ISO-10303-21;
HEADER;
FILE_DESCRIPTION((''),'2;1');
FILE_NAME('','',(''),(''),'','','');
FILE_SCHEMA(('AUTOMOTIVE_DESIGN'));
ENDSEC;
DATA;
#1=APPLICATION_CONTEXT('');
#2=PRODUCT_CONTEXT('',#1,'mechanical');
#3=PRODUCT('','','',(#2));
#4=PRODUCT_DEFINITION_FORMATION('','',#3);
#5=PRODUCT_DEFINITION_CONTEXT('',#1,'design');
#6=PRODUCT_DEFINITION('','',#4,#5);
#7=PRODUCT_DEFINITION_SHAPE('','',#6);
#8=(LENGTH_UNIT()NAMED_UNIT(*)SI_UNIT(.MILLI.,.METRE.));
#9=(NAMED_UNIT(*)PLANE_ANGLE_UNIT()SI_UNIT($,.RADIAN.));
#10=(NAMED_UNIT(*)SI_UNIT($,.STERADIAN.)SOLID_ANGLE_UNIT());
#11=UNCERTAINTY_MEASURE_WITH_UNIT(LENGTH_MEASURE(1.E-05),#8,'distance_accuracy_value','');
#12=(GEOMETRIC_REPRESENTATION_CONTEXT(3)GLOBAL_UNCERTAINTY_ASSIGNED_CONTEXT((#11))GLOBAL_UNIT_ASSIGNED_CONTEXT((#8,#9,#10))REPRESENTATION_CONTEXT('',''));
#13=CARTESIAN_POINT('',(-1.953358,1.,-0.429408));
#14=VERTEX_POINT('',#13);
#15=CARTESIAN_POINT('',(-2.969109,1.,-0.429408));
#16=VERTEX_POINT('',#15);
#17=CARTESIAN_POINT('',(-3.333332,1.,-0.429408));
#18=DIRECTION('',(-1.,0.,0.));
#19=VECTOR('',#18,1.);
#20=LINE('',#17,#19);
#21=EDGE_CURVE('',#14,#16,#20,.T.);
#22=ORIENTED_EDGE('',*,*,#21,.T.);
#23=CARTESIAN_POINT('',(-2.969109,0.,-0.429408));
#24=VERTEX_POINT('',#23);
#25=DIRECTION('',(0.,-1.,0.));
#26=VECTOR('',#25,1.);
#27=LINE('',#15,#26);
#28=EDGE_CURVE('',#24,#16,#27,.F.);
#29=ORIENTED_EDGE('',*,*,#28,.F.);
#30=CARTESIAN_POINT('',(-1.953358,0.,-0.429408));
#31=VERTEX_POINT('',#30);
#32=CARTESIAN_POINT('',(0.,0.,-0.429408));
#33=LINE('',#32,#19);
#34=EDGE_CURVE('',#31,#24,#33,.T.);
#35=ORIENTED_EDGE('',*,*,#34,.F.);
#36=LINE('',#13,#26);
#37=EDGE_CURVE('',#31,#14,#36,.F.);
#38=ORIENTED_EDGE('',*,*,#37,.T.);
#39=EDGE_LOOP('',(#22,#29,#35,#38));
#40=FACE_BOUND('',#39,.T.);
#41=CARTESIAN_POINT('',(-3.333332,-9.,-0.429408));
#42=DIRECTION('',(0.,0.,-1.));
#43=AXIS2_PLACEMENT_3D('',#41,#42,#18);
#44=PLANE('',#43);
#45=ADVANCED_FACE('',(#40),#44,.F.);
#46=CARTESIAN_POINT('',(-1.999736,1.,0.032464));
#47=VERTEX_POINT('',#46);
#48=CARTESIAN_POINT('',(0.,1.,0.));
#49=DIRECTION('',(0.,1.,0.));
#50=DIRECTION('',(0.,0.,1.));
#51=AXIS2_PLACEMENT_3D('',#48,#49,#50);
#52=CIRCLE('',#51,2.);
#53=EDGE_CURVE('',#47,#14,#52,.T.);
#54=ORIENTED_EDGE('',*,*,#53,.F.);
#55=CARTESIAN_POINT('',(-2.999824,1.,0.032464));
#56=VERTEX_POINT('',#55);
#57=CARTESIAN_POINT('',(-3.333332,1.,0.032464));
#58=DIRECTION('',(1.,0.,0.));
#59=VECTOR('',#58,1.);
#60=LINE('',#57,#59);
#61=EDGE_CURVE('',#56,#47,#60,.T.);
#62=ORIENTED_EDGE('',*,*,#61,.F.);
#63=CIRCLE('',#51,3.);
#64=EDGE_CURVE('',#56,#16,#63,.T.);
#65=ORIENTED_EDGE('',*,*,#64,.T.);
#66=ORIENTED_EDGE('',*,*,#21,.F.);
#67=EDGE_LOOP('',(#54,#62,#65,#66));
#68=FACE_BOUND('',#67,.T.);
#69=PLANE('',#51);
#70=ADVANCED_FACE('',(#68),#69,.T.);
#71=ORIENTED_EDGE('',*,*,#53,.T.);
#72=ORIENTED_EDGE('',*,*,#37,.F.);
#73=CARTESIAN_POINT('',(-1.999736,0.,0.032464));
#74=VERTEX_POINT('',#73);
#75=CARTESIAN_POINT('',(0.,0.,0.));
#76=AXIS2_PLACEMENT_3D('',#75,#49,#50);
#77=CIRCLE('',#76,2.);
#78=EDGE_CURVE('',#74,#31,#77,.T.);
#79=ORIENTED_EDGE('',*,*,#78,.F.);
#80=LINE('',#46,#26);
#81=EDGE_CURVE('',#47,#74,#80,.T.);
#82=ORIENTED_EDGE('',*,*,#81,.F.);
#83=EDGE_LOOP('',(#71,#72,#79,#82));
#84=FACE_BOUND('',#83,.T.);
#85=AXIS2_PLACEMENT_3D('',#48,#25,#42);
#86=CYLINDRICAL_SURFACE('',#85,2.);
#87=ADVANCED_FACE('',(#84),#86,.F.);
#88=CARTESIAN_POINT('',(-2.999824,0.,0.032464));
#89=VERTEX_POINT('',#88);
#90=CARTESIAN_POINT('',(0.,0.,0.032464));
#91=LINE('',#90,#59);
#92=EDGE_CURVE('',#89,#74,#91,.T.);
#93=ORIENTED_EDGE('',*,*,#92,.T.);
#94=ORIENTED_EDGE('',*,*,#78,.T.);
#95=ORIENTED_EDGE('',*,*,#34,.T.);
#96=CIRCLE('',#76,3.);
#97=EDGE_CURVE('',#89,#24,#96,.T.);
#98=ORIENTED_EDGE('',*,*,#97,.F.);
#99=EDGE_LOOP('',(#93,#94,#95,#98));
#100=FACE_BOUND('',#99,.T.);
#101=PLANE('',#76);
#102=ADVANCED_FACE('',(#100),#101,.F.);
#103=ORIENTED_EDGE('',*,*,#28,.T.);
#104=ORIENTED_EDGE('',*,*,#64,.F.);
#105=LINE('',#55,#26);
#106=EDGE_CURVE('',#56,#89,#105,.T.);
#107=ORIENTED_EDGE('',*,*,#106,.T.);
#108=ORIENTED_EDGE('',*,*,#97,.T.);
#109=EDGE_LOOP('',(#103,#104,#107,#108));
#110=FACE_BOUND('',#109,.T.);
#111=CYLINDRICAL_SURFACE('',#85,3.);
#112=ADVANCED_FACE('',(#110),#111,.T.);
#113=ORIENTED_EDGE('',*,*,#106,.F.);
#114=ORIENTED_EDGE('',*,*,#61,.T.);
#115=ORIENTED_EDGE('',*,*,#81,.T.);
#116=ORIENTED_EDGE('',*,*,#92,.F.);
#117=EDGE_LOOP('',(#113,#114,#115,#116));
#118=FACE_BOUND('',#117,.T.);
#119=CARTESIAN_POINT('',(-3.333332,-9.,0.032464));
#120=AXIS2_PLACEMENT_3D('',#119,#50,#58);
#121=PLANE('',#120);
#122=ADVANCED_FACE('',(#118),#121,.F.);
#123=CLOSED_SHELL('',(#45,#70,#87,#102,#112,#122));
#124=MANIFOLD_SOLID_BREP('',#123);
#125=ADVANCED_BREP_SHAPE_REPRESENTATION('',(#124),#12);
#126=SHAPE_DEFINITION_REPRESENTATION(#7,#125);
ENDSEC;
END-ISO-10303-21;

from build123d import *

# Parameters (mm, degrees)
CROQUIS1_R     = 3
CROQUIS1_R_2   = 2
EXTRUIR1_DEPTH = 1
CROQUIS2_W     = 1.99150069
CROQUIS2_H     = 0.461872056
EXTRUIR2_DEPTH = 10


with BuildPart() as part:
    # Croquis1 → Extruir1 (new body)
    with BuildSketch(Plane(origin=(0, 0, 0), x_dir=(1, 0, 0), z_dir=(0, 1, 0))):
        with Locations(Location((0, 0, 0), (0, 0, 270))):
            Circle(CROQUIS1_R)
        with Locations(Location((0, 0, 0), (0, 0, 270))):
            Circle(CROQUIS1_R_2, mode=Mode.SUBTRACT)
    extrude(amount=EXTRUIR1_DEPTH)

    # Croquis2 → Extruir2 (cut)
    with BuildSketch(Plane(origin=(0, 1, 0), x_dir=(1, 0, 0), z_dir=(0, 1, 0))):
        with Locations((-2.337581201, 0.198471685)):
            Rectangle(CROQUIS2_W, CROQUIS2_H)
    extrude(amount=-EXTRUIR2_DEPTH, mode=Mode.SUBTRACT)


solid = part.part
